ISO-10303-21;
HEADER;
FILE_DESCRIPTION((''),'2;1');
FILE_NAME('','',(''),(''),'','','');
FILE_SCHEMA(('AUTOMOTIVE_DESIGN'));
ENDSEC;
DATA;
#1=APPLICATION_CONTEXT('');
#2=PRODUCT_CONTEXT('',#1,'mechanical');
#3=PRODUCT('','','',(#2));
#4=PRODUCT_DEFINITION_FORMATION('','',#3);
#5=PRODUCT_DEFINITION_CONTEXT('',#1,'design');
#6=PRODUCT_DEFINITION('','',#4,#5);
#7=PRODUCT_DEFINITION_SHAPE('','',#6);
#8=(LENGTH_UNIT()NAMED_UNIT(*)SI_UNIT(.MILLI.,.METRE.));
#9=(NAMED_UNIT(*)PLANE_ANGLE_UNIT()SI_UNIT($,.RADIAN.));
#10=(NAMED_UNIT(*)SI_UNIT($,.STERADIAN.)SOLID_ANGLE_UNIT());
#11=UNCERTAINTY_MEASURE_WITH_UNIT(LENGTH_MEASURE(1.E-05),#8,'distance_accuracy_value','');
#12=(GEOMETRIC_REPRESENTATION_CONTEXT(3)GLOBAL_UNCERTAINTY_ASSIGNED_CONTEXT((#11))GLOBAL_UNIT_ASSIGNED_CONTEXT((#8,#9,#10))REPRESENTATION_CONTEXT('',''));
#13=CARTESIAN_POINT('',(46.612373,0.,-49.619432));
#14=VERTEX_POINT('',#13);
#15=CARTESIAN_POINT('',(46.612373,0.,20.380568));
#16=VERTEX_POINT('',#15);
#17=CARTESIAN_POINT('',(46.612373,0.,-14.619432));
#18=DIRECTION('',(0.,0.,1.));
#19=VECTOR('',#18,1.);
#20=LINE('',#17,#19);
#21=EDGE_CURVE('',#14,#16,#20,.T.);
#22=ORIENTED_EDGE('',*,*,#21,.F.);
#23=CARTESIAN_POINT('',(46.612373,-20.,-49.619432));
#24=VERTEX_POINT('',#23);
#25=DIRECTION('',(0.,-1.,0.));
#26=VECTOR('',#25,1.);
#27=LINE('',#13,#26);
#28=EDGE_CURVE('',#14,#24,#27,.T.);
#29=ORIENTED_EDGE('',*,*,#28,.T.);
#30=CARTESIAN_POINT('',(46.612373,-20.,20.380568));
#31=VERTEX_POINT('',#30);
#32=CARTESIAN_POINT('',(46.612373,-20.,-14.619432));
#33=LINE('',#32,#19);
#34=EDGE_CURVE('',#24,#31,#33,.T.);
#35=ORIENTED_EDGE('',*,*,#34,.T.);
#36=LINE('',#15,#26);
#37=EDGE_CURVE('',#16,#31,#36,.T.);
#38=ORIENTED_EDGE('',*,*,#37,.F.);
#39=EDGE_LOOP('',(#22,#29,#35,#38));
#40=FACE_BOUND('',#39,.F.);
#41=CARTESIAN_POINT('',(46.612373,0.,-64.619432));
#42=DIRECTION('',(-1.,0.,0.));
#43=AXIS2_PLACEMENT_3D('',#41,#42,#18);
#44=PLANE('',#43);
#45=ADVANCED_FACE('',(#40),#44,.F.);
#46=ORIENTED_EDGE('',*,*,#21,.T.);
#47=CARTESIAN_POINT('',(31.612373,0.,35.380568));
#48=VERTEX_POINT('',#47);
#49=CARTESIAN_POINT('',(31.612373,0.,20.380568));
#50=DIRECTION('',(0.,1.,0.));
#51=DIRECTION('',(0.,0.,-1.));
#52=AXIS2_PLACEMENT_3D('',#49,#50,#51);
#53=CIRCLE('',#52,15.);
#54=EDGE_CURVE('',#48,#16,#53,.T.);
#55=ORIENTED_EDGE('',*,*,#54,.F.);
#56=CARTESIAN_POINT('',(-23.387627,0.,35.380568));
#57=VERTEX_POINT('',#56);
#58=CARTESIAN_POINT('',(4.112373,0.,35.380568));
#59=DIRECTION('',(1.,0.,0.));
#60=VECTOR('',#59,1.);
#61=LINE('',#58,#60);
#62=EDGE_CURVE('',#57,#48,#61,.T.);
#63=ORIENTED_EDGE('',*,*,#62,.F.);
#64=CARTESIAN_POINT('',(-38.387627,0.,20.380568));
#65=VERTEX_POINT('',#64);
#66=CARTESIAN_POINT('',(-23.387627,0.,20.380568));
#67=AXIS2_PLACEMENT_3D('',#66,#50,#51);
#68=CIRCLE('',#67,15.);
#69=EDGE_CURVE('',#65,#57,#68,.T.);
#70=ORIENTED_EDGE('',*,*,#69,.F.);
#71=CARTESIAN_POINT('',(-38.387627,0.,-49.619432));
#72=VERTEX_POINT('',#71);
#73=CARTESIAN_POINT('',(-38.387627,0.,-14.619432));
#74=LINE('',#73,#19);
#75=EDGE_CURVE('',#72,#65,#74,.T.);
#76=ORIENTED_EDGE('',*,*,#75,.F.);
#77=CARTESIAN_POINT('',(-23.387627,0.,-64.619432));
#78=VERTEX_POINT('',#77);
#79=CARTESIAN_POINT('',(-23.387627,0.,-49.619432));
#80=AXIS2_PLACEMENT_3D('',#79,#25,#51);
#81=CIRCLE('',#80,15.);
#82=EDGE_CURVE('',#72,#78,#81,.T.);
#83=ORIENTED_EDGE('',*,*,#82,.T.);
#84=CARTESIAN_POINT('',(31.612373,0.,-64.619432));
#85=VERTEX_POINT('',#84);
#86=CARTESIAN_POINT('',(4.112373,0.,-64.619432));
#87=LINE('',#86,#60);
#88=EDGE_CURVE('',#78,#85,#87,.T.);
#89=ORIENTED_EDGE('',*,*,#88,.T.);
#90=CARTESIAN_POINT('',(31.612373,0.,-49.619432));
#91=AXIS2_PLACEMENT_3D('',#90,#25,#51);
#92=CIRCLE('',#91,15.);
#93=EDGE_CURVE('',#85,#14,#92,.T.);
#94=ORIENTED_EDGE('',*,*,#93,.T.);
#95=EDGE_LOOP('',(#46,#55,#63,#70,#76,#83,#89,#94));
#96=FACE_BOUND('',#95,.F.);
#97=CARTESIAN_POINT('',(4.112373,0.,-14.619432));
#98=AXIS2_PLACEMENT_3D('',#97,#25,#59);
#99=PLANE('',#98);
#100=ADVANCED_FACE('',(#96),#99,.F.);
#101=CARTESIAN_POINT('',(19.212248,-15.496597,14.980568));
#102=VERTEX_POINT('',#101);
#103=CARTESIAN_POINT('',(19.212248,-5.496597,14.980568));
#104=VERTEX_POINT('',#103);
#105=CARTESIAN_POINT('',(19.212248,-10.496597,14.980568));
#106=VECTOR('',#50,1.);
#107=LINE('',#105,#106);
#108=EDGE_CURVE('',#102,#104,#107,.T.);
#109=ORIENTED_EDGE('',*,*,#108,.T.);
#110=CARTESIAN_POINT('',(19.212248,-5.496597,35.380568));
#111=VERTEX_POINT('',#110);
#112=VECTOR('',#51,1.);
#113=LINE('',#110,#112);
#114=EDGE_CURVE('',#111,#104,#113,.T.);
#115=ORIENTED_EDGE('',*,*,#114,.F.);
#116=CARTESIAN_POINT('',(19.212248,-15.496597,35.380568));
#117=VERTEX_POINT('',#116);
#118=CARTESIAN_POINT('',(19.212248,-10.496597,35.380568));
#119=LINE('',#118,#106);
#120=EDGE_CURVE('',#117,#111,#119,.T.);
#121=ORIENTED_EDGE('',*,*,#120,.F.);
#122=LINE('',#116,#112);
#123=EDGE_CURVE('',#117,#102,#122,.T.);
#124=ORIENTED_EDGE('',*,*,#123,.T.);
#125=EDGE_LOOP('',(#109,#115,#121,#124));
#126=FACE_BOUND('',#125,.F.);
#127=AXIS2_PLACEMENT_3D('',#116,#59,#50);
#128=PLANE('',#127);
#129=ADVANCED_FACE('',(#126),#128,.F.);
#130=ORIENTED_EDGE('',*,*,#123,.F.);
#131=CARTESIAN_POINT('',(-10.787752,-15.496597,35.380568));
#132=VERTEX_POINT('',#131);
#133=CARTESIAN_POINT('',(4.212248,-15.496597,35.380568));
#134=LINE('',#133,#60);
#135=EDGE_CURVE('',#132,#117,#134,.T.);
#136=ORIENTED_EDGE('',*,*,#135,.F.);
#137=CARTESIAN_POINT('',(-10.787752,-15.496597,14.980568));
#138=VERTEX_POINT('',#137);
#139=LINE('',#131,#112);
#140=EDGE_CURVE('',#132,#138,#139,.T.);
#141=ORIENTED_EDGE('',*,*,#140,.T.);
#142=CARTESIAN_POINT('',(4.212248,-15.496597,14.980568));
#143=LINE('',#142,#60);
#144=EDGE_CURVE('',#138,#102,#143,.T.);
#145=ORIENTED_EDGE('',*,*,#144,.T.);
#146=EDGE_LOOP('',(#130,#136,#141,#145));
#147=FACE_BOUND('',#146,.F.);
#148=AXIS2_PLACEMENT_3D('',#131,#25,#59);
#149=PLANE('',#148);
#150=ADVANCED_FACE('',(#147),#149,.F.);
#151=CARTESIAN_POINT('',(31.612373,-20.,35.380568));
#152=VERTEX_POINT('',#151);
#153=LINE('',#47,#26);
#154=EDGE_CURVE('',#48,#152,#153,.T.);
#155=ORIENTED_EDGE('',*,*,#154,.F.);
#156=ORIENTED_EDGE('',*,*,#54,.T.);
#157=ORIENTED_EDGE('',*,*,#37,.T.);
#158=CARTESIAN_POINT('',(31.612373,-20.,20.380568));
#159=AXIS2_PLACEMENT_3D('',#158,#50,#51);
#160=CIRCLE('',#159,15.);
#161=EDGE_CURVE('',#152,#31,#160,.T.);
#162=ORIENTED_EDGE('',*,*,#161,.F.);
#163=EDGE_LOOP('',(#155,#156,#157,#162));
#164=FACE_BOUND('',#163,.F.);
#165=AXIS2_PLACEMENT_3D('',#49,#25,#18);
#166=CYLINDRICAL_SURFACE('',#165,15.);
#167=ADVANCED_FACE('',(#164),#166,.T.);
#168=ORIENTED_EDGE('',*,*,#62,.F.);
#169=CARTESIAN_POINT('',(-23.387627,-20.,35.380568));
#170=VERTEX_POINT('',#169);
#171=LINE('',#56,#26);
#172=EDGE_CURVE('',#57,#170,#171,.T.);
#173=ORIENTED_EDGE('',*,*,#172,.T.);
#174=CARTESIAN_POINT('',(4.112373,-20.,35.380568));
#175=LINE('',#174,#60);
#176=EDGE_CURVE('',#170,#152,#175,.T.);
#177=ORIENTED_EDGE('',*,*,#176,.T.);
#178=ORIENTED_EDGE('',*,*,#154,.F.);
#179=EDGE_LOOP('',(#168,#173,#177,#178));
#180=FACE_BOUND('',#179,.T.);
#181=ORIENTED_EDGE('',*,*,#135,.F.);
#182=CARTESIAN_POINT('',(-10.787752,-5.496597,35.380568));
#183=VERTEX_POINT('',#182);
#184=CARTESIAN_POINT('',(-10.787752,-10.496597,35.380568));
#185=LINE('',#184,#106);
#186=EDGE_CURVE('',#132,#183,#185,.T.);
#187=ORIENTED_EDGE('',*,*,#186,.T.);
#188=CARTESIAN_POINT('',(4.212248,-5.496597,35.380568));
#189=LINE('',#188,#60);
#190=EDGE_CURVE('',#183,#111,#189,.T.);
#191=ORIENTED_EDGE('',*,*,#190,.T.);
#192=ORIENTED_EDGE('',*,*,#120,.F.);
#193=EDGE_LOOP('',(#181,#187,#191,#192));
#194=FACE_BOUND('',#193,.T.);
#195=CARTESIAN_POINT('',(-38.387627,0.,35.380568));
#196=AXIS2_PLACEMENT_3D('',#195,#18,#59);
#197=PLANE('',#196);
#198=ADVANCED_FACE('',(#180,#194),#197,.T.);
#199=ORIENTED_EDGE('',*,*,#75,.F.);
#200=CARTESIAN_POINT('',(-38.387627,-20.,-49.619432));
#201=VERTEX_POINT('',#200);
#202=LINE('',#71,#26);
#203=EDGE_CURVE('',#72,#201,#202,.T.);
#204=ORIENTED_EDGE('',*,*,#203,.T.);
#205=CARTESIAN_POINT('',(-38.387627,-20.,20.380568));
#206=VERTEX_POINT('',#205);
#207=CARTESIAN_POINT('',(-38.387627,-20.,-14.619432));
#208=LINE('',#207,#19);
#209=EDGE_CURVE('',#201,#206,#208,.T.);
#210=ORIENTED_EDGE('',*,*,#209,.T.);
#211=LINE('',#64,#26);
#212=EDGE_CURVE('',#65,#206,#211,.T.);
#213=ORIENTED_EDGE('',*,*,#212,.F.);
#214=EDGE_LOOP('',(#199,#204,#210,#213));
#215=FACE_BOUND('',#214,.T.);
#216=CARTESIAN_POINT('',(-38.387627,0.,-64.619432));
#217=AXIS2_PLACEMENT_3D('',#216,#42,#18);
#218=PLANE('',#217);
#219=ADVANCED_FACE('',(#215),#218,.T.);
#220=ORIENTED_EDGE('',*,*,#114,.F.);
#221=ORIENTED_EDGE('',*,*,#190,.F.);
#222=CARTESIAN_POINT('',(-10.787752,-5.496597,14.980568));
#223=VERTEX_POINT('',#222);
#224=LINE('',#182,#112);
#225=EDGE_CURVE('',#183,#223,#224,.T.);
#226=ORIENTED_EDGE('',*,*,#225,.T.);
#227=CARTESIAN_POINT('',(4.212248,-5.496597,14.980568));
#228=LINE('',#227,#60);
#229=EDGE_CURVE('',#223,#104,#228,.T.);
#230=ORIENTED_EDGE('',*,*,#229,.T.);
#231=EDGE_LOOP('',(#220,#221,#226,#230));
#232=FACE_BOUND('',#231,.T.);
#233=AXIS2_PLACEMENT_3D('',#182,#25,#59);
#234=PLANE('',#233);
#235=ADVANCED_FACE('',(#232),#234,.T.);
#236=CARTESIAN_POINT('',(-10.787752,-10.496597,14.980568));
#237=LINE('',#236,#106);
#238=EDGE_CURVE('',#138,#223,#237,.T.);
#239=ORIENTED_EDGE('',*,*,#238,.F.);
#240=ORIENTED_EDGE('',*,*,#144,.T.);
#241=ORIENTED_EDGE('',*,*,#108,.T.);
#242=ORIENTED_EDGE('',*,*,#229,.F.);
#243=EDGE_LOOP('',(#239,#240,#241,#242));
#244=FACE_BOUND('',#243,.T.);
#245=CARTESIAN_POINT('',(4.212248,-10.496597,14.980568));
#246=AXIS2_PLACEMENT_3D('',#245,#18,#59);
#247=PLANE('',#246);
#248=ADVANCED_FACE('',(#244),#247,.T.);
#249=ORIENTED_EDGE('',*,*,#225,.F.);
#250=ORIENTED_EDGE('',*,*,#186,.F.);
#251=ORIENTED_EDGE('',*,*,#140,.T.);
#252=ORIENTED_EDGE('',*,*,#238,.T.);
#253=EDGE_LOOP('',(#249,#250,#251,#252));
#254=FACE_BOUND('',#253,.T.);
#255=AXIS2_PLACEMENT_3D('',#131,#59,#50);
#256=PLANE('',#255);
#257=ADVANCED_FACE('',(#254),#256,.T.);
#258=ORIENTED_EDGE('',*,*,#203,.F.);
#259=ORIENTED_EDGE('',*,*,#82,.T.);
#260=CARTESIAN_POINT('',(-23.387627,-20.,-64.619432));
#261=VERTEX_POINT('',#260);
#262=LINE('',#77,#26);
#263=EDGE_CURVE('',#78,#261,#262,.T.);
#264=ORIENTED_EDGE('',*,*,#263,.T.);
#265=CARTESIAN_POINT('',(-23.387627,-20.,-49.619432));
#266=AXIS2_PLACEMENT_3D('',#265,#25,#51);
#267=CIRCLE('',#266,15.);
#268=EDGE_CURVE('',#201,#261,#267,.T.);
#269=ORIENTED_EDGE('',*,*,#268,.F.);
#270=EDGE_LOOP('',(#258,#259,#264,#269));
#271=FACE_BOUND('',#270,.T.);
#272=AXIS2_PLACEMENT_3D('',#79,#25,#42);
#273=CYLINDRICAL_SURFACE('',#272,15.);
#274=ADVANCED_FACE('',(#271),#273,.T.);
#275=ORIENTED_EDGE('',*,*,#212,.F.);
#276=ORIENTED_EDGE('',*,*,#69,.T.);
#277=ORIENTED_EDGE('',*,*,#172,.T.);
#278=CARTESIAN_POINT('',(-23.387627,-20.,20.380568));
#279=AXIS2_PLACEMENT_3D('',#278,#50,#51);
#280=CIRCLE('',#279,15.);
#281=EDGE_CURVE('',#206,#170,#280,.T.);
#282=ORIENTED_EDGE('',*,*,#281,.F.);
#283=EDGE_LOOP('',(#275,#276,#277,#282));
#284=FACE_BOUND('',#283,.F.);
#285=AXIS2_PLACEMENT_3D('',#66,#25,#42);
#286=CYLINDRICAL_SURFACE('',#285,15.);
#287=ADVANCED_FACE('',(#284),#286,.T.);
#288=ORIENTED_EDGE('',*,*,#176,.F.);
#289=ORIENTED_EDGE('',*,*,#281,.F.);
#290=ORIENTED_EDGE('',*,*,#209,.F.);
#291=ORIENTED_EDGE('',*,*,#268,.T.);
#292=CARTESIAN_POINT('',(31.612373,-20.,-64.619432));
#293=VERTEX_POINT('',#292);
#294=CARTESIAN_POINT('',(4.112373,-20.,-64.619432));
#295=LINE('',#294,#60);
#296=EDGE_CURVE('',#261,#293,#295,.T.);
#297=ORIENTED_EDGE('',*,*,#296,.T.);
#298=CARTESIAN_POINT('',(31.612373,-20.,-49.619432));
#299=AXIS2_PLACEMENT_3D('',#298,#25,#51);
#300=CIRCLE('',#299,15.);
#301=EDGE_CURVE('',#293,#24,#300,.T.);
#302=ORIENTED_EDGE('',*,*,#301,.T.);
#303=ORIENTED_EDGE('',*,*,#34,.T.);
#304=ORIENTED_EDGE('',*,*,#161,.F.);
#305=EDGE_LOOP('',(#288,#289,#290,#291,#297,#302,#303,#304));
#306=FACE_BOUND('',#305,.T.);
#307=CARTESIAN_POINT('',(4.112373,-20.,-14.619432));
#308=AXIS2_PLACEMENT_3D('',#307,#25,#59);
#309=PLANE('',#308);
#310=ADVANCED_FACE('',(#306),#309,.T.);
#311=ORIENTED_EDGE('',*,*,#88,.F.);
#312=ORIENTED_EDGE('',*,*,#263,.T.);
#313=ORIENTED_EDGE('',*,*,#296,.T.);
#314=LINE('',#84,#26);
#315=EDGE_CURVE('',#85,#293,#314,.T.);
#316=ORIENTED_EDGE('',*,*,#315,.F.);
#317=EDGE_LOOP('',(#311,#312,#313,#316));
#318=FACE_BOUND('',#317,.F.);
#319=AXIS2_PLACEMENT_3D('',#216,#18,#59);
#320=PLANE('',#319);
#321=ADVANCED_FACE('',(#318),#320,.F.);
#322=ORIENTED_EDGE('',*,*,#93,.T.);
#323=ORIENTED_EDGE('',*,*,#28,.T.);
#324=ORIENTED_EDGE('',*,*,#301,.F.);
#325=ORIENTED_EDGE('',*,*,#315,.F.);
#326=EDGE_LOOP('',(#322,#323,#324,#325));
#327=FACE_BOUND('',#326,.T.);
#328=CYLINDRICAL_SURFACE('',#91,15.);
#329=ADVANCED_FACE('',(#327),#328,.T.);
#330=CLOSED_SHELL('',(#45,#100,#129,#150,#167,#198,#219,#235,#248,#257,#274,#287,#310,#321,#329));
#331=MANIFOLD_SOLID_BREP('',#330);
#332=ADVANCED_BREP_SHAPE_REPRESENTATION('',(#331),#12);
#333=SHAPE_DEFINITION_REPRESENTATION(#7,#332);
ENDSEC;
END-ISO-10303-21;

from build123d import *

# Parameters (mm, degrees)
F0_W     = 85
F0_H     = 100
F1_DEPTH = 20
F2_W     = 30
F2_H     = 10
F3_DEPTH = 20.4
F4_R     = 15


with BuildPart() as f1:
    # F0 (on Front) → F1 (new body)
    with BuildSketch(Plane.XZ):
        with Locations((4.112373, -14.619432)):
            Rectangle(F0_W, F0_H)
    extrude(amount=F1_DEPTH)

    # F2 (on face) → F3 (cut)
    with BuildSketch(Plane.XY.offset(35.380568)):
        with Locations((4.212248, -10.496597)):
            Rectangle(F2_W, F2_H)
    extrude(amount=-F3_DEPTH, mode=Mode.SUBTRACT)

    # F4
    f4_edges = [f1.edges().sort_by_distance(p)[0] for p in [
        (46.612373, -10, 35.380568),
        (-38.387627, -10, 35.380568),
        (46.612373, -10, -64.619432),
        (-38.387627, -10, -64.619432),
    ]]
    fillet(f4_edges, radius=F4_R)


solid = f1.part
